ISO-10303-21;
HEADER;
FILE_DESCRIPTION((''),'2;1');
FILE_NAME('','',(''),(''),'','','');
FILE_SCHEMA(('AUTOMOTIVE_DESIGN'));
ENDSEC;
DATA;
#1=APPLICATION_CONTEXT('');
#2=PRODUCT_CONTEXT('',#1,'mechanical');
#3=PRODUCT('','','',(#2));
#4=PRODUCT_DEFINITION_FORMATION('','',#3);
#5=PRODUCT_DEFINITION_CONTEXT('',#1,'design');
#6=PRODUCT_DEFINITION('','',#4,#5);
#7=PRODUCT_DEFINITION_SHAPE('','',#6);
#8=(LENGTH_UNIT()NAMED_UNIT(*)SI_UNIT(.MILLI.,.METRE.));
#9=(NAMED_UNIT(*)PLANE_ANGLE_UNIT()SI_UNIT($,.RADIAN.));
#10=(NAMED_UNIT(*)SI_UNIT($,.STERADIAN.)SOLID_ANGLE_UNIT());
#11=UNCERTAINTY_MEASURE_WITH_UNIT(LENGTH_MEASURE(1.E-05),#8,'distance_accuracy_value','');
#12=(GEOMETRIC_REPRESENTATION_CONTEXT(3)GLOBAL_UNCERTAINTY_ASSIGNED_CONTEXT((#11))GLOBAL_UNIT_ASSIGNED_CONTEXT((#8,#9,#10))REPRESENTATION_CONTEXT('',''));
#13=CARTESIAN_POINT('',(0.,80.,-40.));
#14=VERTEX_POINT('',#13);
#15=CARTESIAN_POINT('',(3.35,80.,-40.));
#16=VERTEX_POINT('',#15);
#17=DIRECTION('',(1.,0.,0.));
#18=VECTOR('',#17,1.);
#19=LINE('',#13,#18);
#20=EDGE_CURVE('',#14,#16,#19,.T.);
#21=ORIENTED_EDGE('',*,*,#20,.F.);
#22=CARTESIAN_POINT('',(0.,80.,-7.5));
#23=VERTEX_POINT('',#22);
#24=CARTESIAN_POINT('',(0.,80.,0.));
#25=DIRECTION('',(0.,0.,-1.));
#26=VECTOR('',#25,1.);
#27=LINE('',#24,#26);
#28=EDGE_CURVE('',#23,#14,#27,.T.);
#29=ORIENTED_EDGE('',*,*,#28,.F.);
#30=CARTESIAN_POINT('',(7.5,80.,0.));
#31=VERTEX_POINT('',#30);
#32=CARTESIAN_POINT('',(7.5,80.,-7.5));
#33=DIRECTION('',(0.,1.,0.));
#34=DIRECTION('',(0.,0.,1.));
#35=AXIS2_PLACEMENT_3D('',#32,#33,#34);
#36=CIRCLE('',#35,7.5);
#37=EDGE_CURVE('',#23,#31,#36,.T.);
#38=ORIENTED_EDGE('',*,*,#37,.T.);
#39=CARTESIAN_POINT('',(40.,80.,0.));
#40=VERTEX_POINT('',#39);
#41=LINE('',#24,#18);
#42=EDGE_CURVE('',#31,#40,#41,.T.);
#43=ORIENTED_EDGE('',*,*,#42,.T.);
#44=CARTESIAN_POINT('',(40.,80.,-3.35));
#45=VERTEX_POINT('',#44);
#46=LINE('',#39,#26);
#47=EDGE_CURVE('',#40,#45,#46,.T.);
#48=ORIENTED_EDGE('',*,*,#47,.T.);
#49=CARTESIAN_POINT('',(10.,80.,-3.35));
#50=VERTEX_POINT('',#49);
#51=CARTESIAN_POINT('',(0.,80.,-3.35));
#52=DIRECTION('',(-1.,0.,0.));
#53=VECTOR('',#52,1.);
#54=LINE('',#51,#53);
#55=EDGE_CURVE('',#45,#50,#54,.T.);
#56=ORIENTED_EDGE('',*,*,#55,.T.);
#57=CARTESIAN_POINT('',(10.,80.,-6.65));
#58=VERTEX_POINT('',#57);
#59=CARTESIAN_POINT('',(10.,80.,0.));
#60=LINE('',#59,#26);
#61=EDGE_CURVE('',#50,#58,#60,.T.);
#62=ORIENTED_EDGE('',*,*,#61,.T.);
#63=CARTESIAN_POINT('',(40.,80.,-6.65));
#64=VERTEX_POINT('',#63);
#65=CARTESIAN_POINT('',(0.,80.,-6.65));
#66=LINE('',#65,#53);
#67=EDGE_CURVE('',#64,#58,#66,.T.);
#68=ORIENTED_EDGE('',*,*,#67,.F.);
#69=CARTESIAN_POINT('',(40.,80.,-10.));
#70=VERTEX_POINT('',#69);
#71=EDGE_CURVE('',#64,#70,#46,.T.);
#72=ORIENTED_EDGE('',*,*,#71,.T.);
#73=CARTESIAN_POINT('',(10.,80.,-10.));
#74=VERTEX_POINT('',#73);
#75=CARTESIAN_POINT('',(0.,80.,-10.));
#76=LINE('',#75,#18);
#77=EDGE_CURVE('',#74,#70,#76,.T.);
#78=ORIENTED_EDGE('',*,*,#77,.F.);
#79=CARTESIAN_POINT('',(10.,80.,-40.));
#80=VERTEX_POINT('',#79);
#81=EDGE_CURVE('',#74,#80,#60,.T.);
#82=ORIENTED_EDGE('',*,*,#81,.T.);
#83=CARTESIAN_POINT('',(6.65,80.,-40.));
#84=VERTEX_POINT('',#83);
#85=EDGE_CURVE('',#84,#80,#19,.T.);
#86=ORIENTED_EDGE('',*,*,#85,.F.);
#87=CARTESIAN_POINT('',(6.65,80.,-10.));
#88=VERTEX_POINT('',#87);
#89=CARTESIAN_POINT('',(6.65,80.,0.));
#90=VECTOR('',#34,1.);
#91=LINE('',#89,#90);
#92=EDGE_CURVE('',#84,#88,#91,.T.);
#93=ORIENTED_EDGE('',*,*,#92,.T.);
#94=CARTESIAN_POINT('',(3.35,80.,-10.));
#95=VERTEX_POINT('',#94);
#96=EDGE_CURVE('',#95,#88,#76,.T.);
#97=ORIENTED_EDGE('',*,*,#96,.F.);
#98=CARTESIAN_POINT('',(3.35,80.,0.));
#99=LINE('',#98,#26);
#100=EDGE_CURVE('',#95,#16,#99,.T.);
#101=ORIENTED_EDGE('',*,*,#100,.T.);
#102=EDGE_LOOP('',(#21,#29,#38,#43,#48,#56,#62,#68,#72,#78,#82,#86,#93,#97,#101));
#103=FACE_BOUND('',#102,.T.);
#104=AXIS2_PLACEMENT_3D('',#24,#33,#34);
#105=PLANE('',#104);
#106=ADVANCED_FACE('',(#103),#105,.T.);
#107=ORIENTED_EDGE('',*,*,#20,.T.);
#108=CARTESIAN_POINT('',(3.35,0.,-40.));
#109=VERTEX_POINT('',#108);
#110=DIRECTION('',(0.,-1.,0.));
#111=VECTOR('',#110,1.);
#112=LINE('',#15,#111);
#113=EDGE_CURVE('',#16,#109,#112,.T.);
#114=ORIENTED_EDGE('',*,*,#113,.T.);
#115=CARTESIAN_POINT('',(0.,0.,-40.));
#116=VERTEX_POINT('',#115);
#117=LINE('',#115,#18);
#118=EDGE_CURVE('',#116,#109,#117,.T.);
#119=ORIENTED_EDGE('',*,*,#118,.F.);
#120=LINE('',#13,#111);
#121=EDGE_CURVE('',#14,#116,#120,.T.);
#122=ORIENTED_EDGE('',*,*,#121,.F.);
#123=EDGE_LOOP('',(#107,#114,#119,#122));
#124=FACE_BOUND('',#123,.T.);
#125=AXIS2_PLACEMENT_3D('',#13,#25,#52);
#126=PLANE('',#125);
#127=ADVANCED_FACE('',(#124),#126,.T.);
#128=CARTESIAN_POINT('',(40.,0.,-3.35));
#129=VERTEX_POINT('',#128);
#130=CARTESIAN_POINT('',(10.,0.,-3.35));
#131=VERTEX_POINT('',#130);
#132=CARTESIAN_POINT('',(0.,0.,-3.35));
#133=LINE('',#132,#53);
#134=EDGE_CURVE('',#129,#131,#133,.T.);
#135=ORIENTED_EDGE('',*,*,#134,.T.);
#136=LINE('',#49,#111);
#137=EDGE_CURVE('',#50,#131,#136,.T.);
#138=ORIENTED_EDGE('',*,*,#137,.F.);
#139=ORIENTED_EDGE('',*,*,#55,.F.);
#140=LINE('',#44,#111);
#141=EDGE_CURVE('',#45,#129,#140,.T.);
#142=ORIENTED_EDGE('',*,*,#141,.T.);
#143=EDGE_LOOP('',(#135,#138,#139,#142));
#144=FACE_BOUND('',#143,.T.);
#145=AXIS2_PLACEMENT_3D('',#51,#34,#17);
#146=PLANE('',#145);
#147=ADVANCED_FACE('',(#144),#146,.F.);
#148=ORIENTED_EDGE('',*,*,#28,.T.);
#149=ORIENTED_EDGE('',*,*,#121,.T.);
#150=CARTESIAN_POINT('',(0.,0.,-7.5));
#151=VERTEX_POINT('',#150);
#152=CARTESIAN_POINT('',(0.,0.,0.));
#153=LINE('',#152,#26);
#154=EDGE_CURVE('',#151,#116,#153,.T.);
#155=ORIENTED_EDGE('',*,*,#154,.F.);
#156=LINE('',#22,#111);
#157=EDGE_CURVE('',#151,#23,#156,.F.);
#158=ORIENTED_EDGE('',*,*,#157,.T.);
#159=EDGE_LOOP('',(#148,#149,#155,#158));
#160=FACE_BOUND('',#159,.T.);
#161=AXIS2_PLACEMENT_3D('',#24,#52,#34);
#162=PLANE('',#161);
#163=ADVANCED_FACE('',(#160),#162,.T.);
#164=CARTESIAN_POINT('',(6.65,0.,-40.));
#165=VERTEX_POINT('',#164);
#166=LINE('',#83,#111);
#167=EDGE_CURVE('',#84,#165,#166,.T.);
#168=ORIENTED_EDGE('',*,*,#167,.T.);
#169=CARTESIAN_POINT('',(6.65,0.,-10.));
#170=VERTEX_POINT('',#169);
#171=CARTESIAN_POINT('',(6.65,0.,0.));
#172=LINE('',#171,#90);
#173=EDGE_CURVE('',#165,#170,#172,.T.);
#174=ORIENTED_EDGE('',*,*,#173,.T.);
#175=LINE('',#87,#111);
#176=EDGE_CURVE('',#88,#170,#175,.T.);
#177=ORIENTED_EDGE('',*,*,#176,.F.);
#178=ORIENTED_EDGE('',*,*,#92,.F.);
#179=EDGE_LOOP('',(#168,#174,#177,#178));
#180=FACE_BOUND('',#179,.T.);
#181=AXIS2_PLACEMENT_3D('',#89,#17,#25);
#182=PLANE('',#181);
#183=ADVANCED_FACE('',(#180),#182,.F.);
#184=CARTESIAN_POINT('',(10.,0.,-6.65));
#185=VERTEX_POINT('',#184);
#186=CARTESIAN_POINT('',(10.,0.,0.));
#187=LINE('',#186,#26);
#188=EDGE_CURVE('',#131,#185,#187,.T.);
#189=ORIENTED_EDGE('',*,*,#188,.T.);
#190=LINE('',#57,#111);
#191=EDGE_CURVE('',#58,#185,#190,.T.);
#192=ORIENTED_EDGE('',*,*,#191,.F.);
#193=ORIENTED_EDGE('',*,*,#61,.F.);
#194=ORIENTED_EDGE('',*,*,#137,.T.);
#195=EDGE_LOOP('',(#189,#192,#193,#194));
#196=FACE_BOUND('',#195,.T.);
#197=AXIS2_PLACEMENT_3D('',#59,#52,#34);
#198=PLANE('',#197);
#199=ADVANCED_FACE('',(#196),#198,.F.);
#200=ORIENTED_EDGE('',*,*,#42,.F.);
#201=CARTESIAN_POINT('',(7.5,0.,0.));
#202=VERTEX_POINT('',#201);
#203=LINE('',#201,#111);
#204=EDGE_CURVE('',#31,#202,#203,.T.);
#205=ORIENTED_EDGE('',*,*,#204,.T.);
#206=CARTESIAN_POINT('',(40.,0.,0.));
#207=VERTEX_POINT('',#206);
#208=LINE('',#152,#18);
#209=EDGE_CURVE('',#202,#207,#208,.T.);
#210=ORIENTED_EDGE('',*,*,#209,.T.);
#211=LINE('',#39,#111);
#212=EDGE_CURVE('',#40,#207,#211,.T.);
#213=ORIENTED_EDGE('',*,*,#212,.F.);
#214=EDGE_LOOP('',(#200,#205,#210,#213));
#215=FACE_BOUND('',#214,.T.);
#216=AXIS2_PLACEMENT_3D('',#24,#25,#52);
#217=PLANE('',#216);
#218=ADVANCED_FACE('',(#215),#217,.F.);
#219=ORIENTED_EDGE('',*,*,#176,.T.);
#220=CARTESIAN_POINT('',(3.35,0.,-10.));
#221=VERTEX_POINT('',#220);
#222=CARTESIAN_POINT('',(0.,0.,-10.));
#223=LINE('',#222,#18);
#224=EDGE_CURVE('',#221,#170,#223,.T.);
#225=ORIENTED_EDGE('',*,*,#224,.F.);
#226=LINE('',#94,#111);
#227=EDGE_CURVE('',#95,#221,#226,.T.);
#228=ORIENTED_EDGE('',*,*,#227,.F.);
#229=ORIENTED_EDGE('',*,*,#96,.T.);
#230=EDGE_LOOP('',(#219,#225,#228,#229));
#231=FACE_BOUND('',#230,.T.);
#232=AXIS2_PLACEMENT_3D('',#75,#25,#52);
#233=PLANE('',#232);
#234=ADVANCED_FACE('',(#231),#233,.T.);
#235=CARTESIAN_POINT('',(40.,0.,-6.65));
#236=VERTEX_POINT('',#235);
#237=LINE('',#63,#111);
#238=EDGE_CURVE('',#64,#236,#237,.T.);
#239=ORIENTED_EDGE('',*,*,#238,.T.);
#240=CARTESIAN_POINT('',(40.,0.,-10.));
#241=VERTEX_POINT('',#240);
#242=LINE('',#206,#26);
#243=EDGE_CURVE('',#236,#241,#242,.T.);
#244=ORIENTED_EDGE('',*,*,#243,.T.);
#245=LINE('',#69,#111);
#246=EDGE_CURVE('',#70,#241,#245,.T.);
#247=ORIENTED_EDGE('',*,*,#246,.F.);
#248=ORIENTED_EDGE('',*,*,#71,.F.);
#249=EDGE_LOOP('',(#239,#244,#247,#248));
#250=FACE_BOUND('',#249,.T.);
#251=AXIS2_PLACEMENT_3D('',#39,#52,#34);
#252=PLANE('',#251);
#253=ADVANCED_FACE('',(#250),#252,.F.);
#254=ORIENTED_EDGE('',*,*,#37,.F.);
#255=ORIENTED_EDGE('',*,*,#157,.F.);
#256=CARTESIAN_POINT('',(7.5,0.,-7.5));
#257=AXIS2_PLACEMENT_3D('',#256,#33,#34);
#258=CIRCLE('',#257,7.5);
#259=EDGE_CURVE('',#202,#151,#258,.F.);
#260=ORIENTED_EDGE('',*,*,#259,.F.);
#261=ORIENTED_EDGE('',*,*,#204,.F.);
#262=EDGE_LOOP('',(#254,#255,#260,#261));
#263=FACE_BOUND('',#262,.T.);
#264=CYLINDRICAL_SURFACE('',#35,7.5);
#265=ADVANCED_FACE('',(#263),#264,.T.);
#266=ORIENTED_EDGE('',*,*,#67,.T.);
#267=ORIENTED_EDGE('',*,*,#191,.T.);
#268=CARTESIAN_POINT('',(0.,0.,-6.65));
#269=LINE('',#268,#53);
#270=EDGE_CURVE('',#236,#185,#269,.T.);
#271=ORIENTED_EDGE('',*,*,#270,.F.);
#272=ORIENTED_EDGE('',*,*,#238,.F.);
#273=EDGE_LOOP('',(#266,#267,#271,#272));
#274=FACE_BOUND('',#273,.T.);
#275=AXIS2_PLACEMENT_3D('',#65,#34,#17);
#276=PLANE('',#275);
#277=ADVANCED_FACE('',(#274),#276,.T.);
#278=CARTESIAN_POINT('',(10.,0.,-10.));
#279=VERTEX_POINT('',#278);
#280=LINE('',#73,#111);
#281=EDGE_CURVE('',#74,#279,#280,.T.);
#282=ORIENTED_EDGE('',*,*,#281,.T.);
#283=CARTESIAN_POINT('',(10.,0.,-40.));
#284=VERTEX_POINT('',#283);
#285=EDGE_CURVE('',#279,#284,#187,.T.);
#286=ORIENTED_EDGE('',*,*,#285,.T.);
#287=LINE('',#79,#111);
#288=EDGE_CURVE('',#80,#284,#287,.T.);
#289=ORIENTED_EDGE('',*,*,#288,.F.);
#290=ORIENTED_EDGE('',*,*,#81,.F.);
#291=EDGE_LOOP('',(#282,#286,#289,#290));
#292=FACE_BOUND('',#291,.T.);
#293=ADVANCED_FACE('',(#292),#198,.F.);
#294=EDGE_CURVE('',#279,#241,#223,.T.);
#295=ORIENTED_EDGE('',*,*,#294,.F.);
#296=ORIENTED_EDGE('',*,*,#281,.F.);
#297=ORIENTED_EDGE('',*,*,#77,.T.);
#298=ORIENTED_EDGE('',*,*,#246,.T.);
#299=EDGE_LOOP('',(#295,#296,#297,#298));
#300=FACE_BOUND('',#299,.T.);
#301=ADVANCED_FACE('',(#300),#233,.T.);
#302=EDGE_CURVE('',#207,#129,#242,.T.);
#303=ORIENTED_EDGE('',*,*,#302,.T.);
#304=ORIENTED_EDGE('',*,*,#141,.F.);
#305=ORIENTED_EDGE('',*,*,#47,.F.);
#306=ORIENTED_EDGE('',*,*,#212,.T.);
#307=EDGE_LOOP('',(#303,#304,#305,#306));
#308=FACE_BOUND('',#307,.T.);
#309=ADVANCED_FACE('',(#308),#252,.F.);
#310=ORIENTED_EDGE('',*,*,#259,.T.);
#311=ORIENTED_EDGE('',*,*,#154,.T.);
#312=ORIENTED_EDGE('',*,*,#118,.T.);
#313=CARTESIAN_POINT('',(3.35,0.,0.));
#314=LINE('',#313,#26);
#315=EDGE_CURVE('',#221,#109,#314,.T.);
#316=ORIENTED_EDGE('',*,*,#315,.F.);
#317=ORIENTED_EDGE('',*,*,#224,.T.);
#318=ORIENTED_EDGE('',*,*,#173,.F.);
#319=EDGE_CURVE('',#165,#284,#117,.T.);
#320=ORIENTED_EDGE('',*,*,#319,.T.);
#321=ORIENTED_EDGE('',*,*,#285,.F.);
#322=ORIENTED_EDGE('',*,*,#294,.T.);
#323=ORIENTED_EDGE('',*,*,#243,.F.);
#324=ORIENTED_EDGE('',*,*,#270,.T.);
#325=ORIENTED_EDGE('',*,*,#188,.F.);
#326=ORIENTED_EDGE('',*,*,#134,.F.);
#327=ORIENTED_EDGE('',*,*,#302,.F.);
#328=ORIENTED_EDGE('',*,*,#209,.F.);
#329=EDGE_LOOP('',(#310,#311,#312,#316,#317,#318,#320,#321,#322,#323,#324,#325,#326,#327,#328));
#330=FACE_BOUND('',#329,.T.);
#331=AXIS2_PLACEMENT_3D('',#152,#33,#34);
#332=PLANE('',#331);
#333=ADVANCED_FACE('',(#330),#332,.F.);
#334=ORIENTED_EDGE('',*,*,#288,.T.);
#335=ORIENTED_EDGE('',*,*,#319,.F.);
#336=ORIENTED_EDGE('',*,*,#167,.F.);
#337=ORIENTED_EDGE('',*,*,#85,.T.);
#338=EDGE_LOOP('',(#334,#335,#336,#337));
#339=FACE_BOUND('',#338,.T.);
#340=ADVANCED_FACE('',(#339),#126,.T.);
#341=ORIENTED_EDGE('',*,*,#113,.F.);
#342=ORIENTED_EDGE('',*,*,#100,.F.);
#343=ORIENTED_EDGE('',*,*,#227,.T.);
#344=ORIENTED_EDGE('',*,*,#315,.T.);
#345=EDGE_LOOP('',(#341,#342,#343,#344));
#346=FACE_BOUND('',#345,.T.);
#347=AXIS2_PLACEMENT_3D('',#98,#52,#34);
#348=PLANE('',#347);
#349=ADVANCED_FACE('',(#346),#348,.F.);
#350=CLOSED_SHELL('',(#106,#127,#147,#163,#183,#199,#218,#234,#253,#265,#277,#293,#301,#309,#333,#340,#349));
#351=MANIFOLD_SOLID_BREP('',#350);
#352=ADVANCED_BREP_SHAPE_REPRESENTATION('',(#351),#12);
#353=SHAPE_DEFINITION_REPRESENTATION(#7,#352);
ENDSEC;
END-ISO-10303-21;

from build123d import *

# Parameters (mm, degrees)
BOSS_EXTRUDE1_DEPTH = 80
FILLET1_R           = 7.5


with BuildPart() as part:
    # Sketch1 → Boss-Extrude1 (new body)
    with BuildSketch(Plane(origin=(0, 0, 0), x_dir=(1, 0, 0), z_dir=(0, 1, 0))):
        Polygon((40, 6.65), (10, 6.65), (10, 3.35), (40, 3.35), (40, 0), (0, 0), (0, 40), (3.35, 40), (3.35, 10), (6.65, 10), (6.65, 40), (10, 40), (10, 10), (40, 10), align=None)
    extrude(amount=BOSS_EXTRUDE1_DEPTH)

    # Fillet1
    fillet1_edges = [part.edges().sort_by_distance(p)[0] for p in [
        (0, 40, 0),
    ]]
    fillet(fillet1_edges, radius=FILLET1_R)


solid = part.part
